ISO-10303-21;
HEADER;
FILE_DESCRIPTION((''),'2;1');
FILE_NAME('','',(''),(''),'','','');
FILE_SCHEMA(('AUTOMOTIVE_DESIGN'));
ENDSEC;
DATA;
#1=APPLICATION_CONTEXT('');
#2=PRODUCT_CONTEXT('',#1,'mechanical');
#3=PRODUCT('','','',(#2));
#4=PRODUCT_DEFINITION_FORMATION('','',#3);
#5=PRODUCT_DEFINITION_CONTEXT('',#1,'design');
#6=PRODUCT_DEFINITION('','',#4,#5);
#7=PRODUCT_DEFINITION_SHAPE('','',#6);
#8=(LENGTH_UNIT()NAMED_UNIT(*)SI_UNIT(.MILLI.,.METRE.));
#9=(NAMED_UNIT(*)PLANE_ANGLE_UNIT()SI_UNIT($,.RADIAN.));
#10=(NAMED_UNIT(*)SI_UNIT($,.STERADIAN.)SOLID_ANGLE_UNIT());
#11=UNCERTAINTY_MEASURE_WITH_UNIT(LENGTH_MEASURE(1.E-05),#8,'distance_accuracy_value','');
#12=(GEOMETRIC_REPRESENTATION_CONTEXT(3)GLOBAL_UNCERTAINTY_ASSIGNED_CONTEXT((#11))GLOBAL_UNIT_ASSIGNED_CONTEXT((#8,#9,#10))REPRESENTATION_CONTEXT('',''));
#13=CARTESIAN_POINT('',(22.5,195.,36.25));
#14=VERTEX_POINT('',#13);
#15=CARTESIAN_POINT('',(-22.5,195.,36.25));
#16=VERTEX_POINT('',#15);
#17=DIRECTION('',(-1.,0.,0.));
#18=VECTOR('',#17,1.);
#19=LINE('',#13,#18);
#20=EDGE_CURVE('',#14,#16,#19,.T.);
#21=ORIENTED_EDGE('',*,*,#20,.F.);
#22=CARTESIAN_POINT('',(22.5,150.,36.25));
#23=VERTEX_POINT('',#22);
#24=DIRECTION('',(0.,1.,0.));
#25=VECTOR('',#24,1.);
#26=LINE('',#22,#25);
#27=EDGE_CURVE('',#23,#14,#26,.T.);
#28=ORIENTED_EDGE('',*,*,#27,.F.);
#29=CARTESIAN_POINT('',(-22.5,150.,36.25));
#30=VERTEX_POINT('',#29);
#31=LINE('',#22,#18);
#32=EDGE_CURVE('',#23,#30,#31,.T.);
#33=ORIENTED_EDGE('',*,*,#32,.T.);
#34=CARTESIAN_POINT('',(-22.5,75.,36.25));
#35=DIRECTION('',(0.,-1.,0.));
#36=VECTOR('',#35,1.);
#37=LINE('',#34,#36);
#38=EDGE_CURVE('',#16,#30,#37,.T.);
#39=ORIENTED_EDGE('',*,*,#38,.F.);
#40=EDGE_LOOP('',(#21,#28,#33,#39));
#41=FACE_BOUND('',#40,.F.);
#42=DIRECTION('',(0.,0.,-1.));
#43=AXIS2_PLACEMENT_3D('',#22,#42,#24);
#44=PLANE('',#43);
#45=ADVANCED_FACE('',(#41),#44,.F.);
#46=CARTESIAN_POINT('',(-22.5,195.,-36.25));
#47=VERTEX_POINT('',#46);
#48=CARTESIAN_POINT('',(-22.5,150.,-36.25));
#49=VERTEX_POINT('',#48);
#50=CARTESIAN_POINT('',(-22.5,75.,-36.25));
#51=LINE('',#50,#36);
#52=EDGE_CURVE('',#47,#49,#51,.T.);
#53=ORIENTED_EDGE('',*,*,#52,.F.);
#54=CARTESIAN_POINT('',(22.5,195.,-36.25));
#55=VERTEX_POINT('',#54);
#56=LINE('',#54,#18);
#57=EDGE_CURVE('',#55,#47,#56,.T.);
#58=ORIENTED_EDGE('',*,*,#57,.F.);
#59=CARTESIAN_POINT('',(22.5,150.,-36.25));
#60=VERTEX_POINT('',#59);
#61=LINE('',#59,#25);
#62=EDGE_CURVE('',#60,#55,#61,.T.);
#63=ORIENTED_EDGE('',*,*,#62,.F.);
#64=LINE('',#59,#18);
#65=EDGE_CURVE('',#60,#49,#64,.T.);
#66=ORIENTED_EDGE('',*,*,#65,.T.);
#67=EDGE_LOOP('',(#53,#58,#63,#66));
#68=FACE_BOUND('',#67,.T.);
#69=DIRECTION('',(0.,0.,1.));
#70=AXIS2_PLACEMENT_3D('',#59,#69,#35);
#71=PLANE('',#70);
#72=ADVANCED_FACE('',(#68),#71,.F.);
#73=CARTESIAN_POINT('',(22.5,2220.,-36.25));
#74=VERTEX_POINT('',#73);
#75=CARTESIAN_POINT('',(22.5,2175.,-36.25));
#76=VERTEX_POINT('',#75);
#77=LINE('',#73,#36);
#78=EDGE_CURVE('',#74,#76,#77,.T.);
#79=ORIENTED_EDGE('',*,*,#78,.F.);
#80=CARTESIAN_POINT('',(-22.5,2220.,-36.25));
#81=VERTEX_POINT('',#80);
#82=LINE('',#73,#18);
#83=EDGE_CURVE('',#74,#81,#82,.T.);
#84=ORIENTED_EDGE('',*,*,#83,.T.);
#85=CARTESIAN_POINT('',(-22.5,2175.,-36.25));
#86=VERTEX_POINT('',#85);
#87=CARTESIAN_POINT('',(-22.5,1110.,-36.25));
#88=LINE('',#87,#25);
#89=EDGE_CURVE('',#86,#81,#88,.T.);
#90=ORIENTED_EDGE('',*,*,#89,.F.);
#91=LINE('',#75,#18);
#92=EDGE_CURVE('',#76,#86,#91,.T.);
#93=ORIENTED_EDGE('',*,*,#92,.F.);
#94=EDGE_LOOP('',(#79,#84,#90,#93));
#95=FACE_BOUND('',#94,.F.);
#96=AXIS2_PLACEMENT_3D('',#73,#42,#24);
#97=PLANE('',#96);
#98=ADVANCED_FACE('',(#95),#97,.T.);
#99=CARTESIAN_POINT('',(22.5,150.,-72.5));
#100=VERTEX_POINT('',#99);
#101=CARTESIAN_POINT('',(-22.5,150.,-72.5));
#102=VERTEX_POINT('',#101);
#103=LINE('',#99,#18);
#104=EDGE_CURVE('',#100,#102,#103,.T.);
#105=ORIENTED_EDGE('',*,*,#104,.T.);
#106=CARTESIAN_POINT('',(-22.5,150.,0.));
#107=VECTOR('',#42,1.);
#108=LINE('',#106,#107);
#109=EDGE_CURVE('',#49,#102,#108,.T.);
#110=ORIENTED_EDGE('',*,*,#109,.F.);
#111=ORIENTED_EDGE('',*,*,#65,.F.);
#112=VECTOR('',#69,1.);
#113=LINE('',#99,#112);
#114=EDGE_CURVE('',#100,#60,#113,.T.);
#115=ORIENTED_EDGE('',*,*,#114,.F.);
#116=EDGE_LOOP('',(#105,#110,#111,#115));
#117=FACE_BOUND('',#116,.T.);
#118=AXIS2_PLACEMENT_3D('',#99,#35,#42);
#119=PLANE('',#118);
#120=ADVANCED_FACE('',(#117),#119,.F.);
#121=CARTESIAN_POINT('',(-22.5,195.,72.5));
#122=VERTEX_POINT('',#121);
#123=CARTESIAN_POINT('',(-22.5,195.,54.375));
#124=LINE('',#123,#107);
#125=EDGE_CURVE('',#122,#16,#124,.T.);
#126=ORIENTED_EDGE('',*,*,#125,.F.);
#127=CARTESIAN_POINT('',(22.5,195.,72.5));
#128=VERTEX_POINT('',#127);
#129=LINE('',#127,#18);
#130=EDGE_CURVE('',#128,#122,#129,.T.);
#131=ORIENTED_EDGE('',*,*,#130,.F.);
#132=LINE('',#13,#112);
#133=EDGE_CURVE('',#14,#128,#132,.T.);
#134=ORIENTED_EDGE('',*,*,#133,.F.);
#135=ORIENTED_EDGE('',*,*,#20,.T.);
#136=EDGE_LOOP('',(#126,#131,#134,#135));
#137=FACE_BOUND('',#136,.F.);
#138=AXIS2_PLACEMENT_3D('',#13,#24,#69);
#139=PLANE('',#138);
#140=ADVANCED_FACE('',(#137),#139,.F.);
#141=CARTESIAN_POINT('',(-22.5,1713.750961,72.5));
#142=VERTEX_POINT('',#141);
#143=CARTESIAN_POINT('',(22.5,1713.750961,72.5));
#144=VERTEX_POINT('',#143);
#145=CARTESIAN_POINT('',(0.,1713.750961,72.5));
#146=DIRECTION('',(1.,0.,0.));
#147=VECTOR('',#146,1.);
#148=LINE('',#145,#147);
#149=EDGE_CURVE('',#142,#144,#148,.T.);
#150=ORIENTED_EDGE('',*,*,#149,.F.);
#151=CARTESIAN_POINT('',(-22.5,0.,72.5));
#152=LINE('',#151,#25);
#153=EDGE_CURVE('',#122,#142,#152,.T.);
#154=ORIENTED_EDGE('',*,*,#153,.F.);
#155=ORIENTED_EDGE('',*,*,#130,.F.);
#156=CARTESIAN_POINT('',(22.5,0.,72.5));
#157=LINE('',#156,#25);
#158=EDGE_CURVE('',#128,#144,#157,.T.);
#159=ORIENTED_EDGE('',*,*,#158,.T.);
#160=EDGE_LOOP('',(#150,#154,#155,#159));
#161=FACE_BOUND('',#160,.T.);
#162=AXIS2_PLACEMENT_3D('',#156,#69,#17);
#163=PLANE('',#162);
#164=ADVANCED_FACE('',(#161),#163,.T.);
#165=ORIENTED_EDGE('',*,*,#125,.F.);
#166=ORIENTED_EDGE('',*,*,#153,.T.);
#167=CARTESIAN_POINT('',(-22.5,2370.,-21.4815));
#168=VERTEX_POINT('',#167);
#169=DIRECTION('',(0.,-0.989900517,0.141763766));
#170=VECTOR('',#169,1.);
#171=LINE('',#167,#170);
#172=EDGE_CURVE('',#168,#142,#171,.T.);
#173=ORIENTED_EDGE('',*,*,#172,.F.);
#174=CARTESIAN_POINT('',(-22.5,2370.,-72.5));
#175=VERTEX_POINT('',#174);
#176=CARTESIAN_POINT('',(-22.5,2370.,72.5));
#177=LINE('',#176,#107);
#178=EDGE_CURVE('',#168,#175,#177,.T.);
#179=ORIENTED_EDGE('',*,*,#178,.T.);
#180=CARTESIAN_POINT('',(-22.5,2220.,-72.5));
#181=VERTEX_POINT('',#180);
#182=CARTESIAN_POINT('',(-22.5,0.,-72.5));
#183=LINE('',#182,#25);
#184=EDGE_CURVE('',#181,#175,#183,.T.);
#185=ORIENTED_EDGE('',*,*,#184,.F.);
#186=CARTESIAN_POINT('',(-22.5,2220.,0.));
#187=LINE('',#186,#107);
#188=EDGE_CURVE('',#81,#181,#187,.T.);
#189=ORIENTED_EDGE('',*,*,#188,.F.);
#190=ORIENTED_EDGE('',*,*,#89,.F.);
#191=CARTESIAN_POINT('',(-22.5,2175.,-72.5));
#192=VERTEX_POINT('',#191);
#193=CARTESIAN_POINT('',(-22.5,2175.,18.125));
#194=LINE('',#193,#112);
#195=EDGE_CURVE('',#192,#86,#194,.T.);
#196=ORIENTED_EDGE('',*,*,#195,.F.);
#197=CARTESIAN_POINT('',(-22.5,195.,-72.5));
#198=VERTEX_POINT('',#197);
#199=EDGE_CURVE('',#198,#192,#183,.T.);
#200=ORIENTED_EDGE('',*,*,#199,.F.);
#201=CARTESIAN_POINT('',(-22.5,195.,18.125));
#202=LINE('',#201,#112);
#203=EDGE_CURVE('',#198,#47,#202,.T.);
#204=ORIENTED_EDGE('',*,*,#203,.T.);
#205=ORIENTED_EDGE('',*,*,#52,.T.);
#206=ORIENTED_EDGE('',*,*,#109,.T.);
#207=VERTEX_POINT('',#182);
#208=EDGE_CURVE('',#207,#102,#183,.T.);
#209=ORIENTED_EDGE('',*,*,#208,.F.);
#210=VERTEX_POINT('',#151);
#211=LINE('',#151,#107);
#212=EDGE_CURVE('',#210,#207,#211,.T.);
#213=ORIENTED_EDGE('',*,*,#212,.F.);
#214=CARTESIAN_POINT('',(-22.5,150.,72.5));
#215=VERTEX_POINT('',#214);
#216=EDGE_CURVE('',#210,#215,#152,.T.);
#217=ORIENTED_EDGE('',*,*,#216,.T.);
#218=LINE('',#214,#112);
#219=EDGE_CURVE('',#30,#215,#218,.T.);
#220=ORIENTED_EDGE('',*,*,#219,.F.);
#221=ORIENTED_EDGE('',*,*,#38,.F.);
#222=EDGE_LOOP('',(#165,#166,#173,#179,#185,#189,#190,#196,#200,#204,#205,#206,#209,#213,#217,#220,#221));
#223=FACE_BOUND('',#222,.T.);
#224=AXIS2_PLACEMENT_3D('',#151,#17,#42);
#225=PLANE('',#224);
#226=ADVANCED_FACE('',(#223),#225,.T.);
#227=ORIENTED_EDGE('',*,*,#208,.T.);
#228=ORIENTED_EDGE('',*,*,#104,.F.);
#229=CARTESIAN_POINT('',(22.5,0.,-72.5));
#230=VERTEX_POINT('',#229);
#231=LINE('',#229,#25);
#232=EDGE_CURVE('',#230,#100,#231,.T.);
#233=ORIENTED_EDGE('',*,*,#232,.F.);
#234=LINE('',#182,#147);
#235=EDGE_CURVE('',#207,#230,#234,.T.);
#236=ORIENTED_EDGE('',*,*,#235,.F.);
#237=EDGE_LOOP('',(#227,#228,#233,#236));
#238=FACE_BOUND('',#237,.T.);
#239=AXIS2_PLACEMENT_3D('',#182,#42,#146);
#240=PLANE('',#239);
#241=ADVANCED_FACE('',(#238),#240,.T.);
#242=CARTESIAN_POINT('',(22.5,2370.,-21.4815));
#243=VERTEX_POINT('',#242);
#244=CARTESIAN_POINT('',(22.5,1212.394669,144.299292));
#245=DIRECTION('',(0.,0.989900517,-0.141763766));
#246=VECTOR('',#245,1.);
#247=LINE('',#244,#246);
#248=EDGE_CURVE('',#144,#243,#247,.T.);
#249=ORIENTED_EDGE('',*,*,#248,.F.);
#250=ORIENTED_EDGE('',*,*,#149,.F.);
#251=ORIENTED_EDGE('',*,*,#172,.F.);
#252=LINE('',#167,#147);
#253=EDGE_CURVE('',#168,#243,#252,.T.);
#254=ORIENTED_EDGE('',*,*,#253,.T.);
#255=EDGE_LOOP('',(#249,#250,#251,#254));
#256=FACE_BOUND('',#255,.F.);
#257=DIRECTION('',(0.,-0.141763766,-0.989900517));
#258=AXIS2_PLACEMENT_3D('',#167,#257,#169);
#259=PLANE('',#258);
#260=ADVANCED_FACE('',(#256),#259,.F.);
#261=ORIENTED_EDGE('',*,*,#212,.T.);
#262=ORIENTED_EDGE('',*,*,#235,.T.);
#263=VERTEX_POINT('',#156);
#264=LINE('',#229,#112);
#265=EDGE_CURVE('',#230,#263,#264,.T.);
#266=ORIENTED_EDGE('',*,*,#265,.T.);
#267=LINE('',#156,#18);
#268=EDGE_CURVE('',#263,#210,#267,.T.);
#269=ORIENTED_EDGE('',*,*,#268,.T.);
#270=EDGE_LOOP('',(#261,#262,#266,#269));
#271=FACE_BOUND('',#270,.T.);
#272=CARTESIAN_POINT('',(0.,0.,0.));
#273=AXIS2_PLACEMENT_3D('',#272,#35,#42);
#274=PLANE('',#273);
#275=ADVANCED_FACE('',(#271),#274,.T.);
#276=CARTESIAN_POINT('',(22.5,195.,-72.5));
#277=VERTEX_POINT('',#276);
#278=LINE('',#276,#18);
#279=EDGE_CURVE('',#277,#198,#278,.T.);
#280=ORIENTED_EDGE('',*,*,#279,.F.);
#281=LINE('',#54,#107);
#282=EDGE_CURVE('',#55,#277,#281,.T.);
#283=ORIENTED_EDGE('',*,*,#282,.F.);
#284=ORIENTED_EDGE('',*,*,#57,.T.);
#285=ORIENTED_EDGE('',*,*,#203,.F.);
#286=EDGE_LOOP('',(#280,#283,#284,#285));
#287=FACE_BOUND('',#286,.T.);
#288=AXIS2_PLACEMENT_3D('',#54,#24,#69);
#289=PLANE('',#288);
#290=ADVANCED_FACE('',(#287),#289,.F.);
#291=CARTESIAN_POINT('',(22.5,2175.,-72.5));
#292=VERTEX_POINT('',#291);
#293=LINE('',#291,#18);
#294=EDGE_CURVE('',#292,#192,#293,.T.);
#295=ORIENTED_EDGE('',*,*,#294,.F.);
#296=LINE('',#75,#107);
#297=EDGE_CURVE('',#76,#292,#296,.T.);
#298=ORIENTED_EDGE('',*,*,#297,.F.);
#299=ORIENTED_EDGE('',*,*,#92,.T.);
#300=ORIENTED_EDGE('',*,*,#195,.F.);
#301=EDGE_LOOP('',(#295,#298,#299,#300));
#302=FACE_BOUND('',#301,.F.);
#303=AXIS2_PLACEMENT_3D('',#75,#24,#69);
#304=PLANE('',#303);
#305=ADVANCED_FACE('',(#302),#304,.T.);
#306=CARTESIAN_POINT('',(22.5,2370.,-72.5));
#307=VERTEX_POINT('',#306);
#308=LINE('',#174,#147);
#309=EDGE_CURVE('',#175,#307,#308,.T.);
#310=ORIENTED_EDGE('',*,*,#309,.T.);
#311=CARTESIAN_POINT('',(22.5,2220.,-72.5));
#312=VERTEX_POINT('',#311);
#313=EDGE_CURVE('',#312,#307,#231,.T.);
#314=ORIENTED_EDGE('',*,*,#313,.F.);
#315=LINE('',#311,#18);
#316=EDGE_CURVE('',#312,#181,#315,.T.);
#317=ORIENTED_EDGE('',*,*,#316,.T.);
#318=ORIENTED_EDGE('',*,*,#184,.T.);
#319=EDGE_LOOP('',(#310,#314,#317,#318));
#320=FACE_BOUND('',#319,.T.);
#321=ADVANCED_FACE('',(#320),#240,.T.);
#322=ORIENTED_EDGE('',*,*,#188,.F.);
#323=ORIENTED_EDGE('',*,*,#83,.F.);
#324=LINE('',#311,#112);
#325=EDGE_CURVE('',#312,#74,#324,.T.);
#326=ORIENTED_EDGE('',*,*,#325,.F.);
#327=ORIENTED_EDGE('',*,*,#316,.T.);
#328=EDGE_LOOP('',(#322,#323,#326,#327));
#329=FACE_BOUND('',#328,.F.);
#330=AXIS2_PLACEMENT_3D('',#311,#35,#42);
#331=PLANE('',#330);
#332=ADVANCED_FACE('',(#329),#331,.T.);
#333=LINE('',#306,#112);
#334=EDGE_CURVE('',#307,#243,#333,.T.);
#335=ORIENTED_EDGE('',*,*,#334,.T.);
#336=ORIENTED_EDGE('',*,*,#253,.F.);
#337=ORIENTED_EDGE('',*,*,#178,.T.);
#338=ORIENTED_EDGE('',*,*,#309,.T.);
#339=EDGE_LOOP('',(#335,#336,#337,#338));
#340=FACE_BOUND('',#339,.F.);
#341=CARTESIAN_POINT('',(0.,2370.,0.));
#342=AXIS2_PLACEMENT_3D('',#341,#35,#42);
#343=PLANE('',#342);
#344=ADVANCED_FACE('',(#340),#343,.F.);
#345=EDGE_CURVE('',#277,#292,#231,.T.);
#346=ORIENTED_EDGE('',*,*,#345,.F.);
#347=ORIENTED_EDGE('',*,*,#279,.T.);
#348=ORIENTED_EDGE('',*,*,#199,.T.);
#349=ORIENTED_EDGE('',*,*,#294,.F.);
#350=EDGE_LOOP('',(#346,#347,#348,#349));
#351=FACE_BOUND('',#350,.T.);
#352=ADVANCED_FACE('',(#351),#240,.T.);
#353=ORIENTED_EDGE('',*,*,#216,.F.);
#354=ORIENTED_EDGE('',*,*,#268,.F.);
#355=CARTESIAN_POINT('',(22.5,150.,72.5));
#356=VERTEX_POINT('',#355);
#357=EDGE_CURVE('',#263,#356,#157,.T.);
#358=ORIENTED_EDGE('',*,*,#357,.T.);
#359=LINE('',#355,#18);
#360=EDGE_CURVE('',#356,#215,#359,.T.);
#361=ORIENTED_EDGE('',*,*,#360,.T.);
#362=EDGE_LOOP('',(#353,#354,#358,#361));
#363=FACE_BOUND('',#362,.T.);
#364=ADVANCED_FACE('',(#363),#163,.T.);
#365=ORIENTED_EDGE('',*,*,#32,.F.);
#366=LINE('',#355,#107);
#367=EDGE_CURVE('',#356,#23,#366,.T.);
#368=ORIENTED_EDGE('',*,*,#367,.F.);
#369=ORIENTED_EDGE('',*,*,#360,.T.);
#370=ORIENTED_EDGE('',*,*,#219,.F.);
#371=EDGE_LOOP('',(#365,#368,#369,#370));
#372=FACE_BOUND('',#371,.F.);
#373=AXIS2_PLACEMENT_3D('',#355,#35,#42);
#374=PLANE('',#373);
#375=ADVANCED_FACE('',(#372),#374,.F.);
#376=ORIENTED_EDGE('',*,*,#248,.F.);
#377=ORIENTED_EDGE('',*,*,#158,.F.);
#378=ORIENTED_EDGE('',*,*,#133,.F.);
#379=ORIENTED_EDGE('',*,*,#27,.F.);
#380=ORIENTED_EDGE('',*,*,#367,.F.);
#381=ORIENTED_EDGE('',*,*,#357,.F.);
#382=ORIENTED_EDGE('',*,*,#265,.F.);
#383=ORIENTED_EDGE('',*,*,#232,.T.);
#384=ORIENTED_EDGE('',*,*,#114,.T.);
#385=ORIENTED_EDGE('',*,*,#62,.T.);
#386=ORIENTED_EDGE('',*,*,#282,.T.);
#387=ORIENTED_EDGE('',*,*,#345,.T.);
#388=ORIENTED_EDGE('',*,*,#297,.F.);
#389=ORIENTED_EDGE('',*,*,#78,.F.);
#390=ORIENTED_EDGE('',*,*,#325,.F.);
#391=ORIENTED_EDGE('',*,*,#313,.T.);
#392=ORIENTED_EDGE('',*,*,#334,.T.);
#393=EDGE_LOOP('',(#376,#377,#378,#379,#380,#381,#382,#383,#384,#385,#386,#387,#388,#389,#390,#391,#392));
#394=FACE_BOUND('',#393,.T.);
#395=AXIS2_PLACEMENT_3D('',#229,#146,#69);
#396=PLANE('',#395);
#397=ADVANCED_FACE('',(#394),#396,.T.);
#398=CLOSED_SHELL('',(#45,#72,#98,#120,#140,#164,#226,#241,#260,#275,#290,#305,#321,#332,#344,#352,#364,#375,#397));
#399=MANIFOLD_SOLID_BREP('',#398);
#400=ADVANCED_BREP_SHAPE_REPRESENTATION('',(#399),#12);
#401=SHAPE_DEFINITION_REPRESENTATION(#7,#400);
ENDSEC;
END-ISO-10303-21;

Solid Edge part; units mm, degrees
sketch "Sketch1" plane through (0, 0, 0) normal (0, -1, 0) x (1, 0, 0)
  line L0 (-22.5, -72.5) -> (22.5, -72.5)
  line L1 (22.5, -72.5) -> (22.5, 72.5)
  line L2 (22.5, 72.5) -> (-22.5, 72.5)
  line L3 (-22.5, 72.5) -> (-22.5, -72.5)
extrude "Protrusion1" add sketch "Sketch1" against normal blind 2370
sketch "Sketch2" plane through (22.5, 1185, 0) normal (1, 0, 0) x (0, 1, 0)
  line L0 (1035, 72.5) -> (1035, 36.25)
  line L1 (1035, 36.25) -> (990, 36.25)
  line L2 (990, 36.25) -> (990, 72.5)
  line L3 (990, 72.5) -> (1035, 72.5)
  line L4 (-1035, 72.5) -> (-1035, 36.25)
  line L5 (-1035, 36.25) -> (-990, 36.25)
  line L6 (-990, 36.25) -> (-990, 72.5)
  line L7 (-990, 72.5) -> (-1035, 72.5)
extrude "ExtrudedCutout_1" cut sketch "Sketch2" against normal blind 89.2118
mirror "Mirror1" about plane through (0, 0, 0) normal (0, 0, -1) of "ExtrudedCutout_1"
sketch "Sketch3" plane through (-22.5, 1185, 0) normal (-1, 0, 0) x (0, -1, 0)
  line L0 (-1185, -21.4815) -> (-508.4584, 75.4061)
  line L1 (-508.4584, 75.4061) -> (-1185, 75.4061)
  line L2 (-1185, 75.4061) -> (-1185, -21.4815)
extrude "ExtrudedCutout_3" cut sketch "Sketch3" against normal blind 291.9601
properties material "Wood, Pine"
